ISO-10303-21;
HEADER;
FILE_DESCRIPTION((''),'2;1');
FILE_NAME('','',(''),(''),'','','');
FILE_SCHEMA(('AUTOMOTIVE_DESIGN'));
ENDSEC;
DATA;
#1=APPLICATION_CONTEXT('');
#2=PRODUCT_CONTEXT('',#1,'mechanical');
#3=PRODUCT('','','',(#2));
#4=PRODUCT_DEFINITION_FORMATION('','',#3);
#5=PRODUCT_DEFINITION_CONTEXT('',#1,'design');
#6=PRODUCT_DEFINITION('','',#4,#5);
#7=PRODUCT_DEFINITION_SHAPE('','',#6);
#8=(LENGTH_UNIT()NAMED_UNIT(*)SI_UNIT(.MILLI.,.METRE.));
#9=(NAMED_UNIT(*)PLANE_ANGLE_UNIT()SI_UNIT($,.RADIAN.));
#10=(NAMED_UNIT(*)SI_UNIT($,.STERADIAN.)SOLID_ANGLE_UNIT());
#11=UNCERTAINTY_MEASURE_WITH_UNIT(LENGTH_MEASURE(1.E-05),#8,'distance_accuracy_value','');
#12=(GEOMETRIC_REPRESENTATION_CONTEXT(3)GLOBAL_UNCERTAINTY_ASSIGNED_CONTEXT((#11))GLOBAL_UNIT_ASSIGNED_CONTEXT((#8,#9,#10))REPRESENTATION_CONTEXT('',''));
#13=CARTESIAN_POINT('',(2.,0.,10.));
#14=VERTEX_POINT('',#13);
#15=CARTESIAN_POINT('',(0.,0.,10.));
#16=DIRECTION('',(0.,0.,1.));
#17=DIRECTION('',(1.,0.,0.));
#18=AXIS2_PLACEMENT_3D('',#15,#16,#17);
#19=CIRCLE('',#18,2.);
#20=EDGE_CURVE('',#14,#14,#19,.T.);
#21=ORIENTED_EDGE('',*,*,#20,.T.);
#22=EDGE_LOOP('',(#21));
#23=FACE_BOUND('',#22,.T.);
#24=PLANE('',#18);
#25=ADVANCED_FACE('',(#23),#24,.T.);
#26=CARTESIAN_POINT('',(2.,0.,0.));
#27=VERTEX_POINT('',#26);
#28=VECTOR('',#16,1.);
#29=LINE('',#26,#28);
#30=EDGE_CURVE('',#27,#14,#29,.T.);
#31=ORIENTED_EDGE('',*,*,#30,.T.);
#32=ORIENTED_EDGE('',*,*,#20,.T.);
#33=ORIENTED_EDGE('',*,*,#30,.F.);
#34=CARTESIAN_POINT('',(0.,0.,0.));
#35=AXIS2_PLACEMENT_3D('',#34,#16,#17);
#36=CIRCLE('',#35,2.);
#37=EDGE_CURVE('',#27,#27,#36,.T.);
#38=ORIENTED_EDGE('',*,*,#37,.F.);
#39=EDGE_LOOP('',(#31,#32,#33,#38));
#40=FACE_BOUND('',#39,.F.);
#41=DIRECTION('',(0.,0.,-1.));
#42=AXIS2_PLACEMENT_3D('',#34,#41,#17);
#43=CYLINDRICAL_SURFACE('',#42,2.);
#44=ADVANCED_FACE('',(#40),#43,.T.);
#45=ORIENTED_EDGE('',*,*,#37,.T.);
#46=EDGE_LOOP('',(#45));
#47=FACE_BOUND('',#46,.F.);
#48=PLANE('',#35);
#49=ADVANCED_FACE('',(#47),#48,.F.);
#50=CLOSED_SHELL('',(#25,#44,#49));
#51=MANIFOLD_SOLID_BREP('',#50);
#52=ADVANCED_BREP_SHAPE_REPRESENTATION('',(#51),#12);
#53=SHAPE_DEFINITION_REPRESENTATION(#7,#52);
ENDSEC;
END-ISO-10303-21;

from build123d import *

# Parameters (mm, degrees)
SKETCH_R  = 2
PAD_DEPTH = 10


with BuildPart() as part:
    # Sketch → Pad (new body)
    with BuildSketch(Plane.XY):
        Circle(SKETCH_R)
    extrude(amount=PAD_DEPTH)


solid = part.part
